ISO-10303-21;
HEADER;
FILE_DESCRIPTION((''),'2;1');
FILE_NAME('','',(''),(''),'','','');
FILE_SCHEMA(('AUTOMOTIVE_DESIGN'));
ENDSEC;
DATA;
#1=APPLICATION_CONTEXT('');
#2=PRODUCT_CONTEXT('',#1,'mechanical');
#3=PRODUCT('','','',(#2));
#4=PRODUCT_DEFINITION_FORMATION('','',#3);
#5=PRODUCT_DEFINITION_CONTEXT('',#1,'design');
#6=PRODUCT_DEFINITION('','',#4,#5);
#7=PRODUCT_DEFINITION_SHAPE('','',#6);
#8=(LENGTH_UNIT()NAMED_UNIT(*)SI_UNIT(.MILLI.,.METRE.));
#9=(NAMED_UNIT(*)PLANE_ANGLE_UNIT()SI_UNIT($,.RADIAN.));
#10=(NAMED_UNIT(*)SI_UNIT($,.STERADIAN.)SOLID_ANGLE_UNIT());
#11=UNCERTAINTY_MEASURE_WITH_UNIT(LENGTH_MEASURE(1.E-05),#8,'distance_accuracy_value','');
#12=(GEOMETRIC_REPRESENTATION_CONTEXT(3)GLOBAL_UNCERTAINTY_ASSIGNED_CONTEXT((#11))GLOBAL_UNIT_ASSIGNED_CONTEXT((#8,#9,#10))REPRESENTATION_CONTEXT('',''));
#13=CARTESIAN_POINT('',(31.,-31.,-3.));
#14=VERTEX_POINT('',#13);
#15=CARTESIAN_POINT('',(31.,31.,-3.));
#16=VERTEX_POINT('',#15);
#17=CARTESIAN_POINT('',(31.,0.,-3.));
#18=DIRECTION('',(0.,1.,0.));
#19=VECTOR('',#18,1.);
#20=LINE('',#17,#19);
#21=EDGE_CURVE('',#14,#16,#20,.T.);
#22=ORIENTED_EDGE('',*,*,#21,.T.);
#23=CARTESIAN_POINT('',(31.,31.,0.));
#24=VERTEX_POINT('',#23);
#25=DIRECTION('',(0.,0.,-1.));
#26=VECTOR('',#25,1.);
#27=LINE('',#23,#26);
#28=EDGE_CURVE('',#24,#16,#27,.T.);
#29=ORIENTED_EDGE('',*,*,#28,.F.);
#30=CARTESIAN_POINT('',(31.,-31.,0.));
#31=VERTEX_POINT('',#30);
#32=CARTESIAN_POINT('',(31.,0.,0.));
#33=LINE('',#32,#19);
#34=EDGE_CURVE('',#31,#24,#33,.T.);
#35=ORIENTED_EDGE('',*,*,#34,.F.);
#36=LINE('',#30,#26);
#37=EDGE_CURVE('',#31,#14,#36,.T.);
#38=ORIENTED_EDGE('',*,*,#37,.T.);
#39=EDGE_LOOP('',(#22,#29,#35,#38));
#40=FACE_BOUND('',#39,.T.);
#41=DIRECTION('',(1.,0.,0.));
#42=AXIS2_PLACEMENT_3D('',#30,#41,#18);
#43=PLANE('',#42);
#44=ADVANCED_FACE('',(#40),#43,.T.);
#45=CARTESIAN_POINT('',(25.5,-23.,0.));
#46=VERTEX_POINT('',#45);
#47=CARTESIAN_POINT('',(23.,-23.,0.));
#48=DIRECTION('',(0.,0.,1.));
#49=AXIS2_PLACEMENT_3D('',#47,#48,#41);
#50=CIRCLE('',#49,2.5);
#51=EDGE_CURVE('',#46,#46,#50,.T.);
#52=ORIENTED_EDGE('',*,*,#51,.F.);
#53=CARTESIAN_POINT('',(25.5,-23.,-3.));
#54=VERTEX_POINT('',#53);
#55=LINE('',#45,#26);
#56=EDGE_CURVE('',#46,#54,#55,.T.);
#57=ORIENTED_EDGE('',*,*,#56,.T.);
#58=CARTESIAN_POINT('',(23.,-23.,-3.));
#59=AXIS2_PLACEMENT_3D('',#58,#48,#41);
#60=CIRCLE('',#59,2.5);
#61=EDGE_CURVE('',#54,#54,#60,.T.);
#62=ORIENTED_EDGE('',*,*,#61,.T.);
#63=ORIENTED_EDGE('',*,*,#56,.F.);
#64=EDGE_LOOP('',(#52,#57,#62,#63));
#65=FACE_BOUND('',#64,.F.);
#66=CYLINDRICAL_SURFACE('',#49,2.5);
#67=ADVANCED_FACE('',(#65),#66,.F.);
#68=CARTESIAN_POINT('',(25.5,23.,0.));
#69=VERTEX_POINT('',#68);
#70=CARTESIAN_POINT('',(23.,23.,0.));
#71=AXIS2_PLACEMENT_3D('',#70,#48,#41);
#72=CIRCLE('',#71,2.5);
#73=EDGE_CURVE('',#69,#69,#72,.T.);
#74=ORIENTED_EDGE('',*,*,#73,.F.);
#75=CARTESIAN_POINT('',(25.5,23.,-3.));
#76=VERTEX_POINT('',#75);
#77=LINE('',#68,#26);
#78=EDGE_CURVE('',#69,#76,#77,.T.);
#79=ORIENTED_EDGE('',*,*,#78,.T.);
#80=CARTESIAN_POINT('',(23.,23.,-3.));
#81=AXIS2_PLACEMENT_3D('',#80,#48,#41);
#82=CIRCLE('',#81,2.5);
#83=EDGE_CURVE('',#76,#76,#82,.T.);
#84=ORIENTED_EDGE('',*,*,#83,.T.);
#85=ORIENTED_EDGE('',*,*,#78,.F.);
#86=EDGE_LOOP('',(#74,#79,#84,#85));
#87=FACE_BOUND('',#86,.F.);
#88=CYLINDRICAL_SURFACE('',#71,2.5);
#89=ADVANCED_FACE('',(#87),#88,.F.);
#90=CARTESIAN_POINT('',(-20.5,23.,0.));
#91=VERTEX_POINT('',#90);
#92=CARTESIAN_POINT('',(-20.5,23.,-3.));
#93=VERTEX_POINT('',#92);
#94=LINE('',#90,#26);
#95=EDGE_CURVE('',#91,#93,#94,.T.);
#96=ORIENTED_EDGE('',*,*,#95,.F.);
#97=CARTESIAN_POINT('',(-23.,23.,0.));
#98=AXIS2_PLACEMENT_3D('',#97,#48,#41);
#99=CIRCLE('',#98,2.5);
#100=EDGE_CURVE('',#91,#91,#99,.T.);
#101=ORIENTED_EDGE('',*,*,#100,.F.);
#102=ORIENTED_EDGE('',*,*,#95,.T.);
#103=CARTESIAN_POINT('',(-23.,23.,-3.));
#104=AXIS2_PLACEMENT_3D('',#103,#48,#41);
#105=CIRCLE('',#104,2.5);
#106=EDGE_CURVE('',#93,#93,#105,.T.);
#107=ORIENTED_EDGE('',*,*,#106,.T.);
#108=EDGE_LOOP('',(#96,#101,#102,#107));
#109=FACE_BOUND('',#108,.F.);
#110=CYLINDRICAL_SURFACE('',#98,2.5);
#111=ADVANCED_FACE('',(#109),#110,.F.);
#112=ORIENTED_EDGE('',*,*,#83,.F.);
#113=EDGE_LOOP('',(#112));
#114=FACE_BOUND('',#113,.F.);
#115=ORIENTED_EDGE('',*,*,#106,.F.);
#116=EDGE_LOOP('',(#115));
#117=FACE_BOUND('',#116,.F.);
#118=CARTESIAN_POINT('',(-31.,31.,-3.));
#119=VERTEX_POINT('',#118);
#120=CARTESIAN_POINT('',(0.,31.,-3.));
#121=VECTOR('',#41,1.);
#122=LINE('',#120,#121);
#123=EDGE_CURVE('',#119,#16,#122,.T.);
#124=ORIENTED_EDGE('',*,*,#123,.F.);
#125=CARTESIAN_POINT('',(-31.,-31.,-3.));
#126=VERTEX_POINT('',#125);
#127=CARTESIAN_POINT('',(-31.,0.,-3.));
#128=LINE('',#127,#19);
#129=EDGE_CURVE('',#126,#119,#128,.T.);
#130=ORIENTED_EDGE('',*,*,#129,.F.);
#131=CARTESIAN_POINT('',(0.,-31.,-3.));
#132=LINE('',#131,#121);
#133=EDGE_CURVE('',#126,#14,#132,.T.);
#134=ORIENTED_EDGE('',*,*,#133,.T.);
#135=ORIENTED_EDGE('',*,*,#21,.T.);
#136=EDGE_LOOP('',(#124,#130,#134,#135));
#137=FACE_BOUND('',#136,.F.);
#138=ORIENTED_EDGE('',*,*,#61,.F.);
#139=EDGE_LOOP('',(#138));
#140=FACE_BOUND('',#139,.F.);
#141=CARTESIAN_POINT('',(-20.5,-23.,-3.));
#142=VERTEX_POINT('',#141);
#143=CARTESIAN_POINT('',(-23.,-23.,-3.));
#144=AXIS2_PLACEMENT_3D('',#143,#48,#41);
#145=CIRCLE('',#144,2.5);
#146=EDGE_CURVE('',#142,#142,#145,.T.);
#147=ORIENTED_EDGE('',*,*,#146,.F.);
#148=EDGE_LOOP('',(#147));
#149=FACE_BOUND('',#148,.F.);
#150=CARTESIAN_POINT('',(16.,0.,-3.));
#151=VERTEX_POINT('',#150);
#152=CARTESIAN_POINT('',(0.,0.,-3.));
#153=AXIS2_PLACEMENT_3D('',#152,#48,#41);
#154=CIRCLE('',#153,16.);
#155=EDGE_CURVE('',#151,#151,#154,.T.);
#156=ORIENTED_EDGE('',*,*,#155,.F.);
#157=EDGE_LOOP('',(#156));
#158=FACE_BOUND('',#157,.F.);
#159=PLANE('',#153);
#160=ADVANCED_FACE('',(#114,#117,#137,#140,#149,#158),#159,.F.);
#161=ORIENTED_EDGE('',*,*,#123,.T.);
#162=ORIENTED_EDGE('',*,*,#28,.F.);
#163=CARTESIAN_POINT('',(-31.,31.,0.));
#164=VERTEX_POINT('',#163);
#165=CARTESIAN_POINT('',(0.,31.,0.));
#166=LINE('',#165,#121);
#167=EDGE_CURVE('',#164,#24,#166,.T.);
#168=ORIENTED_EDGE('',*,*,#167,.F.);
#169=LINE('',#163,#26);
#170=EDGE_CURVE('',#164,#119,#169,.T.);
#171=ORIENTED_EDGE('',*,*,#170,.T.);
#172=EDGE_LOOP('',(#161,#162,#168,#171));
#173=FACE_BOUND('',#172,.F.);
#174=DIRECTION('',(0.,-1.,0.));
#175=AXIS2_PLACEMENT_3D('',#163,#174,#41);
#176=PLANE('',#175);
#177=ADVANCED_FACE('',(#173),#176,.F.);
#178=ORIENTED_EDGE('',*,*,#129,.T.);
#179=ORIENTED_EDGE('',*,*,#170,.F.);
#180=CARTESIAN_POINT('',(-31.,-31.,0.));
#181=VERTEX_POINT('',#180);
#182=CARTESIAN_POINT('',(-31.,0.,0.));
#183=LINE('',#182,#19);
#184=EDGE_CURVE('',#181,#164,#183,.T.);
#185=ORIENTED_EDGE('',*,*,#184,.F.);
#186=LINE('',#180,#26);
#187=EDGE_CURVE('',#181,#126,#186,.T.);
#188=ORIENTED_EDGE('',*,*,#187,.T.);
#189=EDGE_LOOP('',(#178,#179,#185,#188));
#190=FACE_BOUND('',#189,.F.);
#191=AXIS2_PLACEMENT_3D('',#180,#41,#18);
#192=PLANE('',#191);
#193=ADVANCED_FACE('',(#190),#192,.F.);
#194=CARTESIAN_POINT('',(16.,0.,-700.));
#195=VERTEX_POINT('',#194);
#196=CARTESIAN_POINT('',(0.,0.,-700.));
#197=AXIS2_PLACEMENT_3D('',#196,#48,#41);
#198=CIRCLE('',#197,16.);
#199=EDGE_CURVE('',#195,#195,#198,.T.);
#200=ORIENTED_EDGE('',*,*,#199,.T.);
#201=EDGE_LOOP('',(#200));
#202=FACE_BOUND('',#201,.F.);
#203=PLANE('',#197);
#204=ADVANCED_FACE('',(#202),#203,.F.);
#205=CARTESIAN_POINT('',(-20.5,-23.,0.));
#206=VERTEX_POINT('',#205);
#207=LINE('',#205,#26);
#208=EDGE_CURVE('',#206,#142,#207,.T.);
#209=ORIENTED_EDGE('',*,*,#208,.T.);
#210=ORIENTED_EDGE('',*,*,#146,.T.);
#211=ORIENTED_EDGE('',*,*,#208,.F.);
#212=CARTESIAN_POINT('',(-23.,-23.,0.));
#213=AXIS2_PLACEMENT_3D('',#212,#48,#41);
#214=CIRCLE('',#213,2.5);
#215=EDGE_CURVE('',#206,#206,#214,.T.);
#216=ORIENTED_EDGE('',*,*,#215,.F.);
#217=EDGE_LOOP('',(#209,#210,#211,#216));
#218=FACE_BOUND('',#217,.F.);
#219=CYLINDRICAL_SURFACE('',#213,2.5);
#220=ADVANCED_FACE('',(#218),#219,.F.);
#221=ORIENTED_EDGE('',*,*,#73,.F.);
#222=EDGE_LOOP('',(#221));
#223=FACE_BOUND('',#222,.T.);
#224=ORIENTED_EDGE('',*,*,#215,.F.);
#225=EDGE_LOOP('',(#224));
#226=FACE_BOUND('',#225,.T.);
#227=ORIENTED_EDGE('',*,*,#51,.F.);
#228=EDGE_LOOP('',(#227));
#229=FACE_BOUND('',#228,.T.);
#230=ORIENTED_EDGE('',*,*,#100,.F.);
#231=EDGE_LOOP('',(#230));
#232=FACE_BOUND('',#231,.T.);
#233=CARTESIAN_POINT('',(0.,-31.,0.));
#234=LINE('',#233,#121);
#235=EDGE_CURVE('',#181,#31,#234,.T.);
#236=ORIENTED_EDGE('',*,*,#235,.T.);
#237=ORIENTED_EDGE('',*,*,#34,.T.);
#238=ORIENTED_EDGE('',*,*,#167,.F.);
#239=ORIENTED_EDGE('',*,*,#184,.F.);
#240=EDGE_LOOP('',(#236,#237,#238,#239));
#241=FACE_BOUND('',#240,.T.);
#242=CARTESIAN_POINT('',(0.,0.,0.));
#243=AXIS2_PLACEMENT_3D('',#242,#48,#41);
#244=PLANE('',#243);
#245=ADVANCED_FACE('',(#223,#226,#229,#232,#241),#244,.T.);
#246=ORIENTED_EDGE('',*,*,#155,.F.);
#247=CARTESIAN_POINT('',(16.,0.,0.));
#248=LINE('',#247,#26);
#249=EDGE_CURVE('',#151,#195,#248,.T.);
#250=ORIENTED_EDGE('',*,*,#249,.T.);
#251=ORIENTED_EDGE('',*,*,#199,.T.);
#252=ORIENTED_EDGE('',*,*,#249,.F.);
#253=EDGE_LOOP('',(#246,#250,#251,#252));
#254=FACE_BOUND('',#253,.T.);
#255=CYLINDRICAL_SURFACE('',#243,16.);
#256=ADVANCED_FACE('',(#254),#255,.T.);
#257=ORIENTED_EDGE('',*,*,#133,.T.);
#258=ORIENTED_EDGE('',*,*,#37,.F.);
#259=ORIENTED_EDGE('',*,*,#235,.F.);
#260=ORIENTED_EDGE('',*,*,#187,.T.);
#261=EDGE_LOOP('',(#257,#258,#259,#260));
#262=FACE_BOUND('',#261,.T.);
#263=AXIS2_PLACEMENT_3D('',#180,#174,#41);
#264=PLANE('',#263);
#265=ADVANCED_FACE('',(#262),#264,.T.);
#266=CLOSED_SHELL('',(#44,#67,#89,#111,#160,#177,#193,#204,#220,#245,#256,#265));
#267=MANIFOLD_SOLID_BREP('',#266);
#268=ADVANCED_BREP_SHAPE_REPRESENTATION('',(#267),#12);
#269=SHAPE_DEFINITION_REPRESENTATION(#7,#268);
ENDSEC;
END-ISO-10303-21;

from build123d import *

# Parameters (mm, degrees)
F0_R     = 16
F1_DEPTH = 700
F2_W     = 62
F2_H     = 62
F3_DEPTH = 3
F4_R     = 2.5
F5_DEPTH = 3


with BuildPart() as f1:
    # F0 (on Top) → F1 (new body)
    with BuildSketch(Plane.XY):
        Circle(F0_R)
    extrude(amount=-F1_DEPTH)

    # F2 (on Top) → F3 (join)
    with BuildSketch(Plane.XY):
        Rectangle(F2_W, F2_H)
    extrude(amount=-F3_DEPTH)

    # F4 (on Top) → F5 (cut, through all)
    with BuildSketch(Plane.XY):
        with Locations((-23, 23)):
            Circle(F4_R)
        with Locations((23, 23)):
            Circle(F4_R)
        with Locations((23, -23)):
            Circle(F4_R)
        with Locations((-23, -23)):
            Circle(F4_R)
    extrude(amount=-F5_DEPTH, mode=Mode.SUBTRACT)


solid = f1.part
